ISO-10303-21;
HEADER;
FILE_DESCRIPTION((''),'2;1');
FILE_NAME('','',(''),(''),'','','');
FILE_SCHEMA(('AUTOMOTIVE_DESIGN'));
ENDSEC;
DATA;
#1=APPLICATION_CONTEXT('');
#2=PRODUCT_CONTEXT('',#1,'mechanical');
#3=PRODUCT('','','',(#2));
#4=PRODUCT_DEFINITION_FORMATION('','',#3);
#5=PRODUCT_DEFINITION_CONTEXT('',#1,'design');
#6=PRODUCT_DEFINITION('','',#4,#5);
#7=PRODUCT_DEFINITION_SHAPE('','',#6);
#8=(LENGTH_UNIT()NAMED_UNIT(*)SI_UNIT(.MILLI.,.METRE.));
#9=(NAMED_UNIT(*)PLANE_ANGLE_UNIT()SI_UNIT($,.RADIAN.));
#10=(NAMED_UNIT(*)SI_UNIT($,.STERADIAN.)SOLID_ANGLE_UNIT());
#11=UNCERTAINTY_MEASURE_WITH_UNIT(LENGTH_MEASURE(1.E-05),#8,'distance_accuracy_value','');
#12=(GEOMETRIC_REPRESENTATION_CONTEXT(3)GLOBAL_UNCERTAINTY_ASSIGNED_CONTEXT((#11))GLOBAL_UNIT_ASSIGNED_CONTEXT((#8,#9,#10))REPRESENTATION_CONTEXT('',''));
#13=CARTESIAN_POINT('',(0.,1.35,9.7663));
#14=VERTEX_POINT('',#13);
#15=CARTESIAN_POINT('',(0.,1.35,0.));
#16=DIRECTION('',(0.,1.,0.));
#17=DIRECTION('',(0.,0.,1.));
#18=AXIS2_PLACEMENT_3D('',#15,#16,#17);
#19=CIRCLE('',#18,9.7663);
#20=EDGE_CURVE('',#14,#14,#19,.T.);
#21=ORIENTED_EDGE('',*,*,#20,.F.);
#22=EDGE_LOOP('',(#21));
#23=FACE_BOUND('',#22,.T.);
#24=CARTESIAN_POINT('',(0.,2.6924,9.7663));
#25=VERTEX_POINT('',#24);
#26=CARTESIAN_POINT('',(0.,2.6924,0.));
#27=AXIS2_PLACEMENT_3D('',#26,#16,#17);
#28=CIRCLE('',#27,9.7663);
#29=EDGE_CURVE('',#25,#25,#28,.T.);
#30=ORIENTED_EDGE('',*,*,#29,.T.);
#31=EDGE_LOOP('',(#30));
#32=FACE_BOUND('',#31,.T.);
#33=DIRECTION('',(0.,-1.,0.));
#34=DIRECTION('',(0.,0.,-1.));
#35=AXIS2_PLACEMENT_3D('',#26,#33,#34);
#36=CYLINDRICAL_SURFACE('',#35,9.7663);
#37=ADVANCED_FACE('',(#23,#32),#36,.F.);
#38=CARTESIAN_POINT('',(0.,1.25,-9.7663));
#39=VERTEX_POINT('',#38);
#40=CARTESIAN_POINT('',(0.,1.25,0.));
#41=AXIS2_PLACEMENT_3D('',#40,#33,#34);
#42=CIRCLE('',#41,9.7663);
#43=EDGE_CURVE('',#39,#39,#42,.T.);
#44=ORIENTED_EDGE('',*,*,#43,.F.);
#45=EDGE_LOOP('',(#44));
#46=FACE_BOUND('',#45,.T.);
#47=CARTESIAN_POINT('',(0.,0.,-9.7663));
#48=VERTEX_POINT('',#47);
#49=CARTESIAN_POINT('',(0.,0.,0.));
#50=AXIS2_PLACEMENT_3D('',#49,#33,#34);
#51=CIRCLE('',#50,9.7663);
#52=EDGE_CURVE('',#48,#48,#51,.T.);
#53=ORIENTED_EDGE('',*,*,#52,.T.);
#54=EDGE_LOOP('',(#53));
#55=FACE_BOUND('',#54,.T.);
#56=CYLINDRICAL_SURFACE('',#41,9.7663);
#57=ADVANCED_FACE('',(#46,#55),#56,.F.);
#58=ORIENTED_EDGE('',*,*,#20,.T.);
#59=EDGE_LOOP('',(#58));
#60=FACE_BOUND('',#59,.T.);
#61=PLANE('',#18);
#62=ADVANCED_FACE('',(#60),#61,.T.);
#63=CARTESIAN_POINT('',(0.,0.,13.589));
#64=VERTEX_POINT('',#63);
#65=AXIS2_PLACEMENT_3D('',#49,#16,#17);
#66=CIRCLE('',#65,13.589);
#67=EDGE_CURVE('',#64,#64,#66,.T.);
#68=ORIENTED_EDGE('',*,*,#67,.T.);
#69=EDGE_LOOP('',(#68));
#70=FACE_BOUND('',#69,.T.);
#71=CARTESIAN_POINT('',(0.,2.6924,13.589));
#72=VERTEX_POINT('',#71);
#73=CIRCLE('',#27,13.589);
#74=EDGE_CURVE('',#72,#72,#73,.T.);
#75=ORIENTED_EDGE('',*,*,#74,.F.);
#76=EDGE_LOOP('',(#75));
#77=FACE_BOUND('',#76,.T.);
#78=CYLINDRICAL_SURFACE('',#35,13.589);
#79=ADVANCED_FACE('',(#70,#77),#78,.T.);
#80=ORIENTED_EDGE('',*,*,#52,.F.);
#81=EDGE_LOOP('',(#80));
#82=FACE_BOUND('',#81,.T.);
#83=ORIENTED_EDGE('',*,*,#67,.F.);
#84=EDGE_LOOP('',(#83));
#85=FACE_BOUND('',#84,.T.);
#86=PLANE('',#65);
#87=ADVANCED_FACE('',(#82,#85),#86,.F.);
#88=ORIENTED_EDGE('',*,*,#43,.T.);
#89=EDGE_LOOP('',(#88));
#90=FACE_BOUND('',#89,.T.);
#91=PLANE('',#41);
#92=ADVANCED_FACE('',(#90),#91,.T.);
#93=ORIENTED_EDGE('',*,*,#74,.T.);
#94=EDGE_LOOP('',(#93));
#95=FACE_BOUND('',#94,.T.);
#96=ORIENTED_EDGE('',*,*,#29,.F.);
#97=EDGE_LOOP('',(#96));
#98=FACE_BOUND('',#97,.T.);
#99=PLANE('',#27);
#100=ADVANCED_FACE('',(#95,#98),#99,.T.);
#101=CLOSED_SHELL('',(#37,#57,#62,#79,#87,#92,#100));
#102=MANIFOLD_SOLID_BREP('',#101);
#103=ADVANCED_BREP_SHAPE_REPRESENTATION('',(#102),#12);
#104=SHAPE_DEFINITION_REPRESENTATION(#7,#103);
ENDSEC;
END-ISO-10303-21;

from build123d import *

# Parameters (mm, degrees)
SKETCH1_R           = 13.589
SKETCH1_R_2         = 9.7663
BOSS_EXTRUDE1_DEPTH = 2.6924
SKETCH3_R           = 9.7663
BOSS_EXTRUDE2_DEPTH = 1.35
SKETCH4_R           = 9.7663
CUT_EXTRUDE1_DEPTH  = 1.25


with BuildPart() as part:
    # Sketch1 → Boss-Extrude1 (new body)
    with BuildSketch(Plane(origin=(0, 0, 0), x_dir=(1, 0, 0), z_dir=(0, 1, 0))):
        with Locations(Location((0, 0, 0), (0, 0, 270))):
            Circle(SKETCH1_R)
        with Locations(Location((0, 0, 0), (0, 0, 270))):
            Circle(SKETCH1_R_2, mode=Mode.SUBTRACT)
    extrude(amount=BOSS_EXTRUDE1_DEPTH)

    # Sketch3 → Boss-Extrude2 (add)
    with BuildSketch(Plane(origin=(0, 0, 0), x_dir=(1, 0, 0), z_dir=(0, 1, 0))):
        with Locations(Location((0, 0, 0), (0, 0, 270))):
            Circle(SKETCH3_R)
    extrude(amount=BOSS_EXTRUDE2_DEPTH)

    # Sketch4 → Cut-Extrude1 (cut)
    with BuildSketch(Plane.XZ):
        with Locations(Location((0, 0, 0), (0, 0, 90))):
            Circle(SKETCH4_R)
    extrude(amount=-CUT_EXTRUDE1_DEPTH, mode=Mode.SUBTRACT)


solid = part.part
